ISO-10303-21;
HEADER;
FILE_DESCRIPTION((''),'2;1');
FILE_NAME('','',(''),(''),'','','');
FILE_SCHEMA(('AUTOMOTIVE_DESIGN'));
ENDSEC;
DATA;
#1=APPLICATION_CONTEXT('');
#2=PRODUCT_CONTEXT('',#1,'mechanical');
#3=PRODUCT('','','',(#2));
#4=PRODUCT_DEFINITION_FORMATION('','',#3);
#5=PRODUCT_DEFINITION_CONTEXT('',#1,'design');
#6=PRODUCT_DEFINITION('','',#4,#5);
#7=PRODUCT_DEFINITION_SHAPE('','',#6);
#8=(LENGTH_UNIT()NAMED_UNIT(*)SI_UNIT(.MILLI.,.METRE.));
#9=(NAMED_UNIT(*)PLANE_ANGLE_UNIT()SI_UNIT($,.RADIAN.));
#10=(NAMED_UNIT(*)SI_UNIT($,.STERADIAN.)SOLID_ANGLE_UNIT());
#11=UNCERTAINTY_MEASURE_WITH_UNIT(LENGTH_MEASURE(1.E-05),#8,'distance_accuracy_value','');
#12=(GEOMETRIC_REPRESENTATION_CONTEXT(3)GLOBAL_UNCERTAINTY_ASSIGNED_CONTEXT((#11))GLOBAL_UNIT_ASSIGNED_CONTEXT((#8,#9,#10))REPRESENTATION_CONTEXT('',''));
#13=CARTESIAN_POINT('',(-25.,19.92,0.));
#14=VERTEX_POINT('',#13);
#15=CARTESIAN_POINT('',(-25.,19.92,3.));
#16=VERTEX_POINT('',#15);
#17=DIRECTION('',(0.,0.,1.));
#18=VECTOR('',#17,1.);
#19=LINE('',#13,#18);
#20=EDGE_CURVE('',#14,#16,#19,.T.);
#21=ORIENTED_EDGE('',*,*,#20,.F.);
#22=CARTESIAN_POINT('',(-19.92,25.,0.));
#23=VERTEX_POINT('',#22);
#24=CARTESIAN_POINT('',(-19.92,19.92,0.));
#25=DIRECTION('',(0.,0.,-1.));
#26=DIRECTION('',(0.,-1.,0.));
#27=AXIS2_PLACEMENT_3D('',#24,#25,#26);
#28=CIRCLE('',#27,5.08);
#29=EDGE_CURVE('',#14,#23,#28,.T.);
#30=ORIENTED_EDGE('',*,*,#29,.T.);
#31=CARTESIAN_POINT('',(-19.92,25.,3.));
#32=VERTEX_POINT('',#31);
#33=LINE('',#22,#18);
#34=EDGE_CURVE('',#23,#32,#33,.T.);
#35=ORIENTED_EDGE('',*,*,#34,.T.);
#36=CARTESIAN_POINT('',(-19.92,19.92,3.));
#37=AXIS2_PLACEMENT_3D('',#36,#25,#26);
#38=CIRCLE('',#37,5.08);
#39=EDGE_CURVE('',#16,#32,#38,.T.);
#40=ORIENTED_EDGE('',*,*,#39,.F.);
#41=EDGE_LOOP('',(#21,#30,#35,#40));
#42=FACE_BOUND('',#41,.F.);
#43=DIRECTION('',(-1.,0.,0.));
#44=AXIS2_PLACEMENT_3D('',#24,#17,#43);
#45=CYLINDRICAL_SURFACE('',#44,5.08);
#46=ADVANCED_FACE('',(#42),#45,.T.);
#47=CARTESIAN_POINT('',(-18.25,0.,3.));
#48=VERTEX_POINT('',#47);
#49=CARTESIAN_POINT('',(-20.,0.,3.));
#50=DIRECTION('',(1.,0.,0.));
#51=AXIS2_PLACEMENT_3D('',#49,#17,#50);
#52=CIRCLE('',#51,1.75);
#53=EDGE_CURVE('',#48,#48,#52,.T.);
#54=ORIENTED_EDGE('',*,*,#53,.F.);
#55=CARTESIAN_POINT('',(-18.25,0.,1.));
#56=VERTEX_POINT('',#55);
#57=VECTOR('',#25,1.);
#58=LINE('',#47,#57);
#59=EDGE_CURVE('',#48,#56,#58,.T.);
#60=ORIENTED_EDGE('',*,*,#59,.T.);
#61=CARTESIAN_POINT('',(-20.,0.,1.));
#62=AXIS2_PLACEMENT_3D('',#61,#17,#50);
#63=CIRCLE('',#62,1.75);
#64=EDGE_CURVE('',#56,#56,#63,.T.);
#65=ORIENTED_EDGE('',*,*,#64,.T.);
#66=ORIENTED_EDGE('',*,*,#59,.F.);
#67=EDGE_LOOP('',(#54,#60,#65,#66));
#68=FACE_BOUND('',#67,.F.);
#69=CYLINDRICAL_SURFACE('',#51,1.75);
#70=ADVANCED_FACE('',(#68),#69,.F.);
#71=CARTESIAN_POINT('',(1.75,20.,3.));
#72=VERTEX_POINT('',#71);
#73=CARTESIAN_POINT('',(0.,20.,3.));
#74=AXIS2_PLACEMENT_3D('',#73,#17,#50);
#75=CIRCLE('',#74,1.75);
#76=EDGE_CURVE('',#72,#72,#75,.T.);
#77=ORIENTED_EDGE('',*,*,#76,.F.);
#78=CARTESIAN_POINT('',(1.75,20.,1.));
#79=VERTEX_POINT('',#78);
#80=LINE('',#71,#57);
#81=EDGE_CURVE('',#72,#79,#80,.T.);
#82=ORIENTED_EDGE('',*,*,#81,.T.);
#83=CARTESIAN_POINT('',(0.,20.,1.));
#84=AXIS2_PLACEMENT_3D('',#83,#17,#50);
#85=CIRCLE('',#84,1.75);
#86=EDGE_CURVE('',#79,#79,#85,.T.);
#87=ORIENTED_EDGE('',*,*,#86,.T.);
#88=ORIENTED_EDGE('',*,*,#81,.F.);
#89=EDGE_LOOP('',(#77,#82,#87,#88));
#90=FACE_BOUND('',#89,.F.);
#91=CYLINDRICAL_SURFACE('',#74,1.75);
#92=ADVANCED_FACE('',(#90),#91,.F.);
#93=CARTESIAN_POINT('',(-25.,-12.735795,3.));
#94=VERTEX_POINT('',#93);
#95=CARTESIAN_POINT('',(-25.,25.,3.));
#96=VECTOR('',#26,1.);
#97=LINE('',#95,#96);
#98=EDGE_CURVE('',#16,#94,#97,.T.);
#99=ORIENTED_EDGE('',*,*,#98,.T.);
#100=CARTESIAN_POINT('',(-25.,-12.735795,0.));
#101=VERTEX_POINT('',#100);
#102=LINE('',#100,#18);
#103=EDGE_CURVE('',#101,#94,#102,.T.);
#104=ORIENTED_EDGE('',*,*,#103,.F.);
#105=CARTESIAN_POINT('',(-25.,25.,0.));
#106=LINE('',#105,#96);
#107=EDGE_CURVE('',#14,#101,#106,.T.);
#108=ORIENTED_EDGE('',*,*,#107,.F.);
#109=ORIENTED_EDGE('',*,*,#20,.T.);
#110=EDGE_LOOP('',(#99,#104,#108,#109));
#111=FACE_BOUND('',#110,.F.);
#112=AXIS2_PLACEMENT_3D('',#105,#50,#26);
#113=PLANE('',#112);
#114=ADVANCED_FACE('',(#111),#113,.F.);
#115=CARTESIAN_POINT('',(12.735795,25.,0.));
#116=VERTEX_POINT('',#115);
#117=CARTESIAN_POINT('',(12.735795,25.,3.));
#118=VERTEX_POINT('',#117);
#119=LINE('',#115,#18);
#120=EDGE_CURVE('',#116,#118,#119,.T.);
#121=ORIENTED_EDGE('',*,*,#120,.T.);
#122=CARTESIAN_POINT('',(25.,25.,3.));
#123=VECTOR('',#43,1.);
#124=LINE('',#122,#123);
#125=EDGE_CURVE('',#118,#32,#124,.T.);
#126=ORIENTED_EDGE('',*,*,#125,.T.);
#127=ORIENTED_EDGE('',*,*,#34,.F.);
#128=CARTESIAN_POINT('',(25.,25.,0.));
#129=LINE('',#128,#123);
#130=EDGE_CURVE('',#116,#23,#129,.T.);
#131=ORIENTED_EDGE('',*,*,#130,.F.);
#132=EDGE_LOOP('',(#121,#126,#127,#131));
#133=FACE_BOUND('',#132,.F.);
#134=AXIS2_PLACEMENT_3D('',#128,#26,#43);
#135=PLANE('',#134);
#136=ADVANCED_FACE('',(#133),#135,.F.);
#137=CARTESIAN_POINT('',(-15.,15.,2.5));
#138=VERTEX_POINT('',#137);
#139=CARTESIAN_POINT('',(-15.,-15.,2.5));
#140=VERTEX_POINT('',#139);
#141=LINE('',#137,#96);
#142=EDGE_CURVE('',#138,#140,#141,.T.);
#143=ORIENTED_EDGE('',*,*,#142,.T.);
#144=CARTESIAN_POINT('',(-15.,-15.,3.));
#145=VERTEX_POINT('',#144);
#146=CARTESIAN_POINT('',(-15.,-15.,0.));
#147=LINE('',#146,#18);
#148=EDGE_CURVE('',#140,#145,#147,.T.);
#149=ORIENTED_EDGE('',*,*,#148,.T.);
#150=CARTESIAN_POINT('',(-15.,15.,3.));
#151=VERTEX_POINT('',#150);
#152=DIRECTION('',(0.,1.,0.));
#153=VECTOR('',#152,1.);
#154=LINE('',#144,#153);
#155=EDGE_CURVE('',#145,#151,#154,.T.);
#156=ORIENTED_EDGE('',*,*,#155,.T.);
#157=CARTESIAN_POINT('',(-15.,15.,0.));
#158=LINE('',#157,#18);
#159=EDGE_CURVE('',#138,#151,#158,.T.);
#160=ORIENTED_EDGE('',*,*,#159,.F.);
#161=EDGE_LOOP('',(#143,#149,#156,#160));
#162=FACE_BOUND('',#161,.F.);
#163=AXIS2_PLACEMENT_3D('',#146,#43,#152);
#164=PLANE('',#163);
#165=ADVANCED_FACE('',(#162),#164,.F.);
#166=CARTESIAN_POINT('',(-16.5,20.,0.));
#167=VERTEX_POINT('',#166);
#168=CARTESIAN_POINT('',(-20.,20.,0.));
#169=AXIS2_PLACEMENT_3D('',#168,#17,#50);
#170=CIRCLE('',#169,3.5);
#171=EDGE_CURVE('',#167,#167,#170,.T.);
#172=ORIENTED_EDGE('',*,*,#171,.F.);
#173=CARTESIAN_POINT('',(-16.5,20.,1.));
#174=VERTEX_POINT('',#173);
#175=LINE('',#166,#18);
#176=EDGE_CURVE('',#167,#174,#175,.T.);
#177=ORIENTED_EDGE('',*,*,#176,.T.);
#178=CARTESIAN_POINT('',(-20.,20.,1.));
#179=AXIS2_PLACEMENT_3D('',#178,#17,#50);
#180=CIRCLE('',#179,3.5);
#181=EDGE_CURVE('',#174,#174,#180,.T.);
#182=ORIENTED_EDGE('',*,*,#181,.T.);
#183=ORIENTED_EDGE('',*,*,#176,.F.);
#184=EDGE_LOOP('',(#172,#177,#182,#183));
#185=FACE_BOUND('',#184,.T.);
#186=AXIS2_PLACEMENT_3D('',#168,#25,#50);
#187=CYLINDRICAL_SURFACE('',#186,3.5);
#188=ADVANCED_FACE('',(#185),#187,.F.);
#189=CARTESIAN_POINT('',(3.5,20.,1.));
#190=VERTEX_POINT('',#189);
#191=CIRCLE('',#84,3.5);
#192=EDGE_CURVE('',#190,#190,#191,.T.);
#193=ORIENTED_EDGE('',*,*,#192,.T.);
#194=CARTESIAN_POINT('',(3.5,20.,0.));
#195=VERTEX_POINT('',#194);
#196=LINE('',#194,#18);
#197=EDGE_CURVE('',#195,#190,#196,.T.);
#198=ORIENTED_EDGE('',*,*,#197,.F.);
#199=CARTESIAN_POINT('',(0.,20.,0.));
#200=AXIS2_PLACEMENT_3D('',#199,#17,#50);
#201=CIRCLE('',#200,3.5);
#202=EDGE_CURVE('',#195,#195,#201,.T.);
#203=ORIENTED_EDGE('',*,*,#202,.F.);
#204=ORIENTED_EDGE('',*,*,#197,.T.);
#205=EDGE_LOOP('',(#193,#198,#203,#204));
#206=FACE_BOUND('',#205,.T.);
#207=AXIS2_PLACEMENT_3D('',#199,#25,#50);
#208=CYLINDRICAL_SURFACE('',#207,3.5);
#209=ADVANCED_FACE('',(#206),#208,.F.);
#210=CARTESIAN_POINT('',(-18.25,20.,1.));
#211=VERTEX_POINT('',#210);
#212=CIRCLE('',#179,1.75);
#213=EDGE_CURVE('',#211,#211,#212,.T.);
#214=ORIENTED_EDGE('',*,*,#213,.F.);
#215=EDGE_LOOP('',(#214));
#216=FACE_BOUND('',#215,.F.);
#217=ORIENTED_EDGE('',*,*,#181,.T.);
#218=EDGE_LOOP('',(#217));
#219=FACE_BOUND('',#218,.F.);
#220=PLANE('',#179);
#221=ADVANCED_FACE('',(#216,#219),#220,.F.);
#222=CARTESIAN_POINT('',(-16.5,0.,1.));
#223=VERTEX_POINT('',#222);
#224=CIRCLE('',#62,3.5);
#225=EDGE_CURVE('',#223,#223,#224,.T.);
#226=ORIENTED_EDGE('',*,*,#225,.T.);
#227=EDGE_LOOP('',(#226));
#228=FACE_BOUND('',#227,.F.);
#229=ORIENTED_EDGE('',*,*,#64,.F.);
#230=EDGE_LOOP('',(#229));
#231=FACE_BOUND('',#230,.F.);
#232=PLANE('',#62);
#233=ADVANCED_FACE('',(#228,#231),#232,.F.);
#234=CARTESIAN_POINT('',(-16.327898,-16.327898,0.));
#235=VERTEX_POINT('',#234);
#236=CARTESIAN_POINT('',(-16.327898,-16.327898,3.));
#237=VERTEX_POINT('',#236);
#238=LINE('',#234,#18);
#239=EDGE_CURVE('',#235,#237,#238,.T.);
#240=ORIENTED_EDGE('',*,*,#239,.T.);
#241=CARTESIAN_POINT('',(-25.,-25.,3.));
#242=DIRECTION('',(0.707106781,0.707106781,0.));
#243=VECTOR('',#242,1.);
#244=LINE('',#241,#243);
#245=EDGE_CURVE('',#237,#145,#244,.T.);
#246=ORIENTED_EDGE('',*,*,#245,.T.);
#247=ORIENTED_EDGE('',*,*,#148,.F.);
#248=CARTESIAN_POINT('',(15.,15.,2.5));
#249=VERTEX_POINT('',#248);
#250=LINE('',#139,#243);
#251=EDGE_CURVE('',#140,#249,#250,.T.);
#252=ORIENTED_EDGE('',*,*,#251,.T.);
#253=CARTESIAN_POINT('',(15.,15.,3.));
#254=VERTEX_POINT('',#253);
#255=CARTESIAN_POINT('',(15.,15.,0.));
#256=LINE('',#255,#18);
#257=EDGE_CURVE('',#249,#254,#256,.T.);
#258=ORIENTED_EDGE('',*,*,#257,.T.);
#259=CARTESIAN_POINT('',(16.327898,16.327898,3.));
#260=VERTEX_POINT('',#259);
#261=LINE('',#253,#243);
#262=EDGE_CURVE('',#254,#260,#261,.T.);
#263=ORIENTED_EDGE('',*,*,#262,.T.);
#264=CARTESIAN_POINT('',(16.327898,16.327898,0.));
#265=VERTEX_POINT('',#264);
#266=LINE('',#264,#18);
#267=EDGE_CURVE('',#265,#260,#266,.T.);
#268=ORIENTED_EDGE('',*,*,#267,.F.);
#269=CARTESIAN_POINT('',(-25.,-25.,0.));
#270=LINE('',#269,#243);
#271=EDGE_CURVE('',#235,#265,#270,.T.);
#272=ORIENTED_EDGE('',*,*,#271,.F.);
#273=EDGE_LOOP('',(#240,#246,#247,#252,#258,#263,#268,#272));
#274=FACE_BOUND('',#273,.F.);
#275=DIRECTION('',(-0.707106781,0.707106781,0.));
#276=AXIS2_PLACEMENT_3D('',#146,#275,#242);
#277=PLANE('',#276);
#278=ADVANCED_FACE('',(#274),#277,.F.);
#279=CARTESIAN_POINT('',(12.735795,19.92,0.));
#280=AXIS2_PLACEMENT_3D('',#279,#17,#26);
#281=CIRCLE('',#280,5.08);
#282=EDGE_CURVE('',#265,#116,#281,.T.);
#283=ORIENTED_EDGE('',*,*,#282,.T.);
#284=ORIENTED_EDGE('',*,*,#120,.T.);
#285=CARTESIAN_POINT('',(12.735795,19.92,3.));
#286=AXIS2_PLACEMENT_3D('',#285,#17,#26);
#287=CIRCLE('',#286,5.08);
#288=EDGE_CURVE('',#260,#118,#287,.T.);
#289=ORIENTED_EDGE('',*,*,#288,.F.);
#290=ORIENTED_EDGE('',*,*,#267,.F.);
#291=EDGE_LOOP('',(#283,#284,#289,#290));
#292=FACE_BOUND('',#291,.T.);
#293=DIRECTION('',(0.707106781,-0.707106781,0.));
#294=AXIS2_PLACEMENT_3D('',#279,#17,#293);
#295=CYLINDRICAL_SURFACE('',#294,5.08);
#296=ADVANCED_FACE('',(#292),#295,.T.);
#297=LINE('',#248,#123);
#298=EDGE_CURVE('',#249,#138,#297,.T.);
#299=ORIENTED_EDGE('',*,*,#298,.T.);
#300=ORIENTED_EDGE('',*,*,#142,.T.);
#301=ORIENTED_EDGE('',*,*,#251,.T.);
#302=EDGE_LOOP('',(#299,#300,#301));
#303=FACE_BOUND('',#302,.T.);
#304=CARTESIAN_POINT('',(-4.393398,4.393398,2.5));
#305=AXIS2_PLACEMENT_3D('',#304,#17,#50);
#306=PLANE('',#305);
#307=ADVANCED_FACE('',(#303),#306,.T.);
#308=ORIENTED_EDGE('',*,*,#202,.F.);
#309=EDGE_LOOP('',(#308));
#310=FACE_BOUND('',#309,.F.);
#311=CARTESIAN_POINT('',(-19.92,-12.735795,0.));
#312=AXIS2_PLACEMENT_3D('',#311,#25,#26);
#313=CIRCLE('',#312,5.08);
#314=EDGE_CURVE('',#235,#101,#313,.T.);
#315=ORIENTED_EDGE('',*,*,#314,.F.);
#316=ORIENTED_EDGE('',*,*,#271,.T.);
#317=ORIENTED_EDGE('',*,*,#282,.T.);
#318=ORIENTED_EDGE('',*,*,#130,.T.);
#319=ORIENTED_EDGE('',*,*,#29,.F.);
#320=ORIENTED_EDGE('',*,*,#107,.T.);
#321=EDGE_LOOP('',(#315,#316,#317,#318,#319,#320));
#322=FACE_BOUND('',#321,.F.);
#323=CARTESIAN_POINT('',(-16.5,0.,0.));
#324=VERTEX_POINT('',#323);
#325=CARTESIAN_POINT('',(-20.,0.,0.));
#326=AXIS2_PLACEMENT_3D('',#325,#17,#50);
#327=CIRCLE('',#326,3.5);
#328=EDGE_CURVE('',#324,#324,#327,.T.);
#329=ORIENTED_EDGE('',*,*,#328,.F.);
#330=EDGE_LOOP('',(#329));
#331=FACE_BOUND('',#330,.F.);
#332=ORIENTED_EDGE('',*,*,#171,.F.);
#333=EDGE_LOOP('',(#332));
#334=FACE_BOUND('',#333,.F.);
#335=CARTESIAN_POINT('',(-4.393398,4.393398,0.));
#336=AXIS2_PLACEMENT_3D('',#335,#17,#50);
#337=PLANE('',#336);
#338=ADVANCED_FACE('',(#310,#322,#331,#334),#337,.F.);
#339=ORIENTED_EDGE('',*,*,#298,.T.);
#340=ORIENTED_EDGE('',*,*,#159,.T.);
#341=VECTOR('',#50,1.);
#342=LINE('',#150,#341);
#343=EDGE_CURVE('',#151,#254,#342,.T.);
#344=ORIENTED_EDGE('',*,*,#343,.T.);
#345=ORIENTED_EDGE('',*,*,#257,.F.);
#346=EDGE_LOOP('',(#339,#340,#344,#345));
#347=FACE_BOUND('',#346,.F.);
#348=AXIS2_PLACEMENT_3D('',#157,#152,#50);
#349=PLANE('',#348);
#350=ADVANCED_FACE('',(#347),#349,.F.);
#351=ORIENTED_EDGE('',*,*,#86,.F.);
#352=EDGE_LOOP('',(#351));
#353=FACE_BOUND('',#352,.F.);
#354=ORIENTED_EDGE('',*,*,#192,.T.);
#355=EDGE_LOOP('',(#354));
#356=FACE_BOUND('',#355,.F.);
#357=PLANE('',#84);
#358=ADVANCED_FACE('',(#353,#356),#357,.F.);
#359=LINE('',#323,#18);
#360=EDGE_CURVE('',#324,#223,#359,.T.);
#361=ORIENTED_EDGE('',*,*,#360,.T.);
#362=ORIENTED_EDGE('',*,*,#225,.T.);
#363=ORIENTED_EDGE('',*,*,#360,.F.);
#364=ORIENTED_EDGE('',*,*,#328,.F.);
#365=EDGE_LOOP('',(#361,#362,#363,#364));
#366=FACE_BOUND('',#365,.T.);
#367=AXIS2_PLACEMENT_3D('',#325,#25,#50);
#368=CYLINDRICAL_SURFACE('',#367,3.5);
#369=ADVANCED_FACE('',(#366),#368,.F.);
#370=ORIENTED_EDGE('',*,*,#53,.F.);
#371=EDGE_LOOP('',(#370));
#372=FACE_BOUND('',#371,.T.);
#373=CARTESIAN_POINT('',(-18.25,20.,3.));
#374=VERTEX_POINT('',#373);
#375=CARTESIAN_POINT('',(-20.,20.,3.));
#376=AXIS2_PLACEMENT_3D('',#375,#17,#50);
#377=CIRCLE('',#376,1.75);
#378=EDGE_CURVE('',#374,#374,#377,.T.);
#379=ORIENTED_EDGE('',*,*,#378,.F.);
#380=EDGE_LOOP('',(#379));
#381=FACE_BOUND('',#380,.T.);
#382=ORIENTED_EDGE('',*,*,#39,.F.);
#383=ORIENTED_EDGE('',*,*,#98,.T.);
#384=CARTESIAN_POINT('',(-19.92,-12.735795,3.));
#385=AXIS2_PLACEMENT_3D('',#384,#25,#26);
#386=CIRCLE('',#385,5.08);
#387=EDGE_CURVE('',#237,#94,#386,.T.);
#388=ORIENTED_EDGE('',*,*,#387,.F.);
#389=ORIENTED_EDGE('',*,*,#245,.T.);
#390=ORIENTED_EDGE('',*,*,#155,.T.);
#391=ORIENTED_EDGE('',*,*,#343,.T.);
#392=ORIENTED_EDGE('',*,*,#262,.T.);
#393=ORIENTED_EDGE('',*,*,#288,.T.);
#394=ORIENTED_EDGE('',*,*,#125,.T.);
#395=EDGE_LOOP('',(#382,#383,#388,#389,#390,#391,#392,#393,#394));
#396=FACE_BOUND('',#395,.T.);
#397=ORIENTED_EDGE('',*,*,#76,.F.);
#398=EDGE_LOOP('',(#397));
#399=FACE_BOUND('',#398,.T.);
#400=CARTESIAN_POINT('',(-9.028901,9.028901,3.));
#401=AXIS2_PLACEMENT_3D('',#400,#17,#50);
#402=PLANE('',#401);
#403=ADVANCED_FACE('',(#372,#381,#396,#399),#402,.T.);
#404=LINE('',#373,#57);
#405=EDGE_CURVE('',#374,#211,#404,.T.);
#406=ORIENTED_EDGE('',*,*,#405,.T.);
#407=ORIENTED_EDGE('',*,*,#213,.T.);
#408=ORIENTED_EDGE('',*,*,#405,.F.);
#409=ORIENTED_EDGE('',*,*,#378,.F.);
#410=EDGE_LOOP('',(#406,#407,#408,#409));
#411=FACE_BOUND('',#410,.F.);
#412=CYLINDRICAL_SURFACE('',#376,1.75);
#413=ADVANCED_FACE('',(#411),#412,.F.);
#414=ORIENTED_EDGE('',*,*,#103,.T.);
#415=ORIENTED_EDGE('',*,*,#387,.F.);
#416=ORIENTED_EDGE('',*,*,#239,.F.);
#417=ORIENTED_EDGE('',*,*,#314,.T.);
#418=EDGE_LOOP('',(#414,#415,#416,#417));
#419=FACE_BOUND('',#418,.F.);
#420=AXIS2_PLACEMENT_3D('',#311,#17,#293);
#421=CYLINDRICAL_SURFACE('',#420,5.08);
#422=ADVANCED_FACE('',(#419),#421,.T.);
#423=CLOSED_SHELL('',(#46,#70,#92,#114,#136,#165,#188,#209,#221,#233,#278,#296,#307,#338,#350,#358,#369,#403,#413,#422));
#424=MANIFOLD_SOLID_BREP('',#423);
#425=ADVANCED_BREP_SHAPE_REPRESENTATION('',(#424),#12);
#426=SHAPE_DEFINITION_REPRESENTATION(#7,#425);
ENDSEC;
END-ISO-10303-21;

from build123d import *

# Parameters (mm, degrees)
F1_DEPTH = 3
F2_DEPTH = 2.5
F3_R     = 1.75
F4_DEPTH = 3.001
F5_R     = 3.5
F6_DEPTH = 1
F7_R     = 5.08


with BuildPart() as f1:
    # F0 (on Top) → F1 (new body)
    with BuildSketch(Plane.XY):
        Polygon((15, 15), (25, 25), (-25, 25), (-25, -25), (-15, -15), (-15, 15), align=None)
    extrude(amount=F1_DEPTH)

    # F0 (on Top) → F2 (join)
    with BuildSketch(Plane.XY):
        Polygon((-15, -15), (15, 15), (-15, 15), align=None)
    extrude(amount=F2_DEPTH)

    # F3 (on face) → F4 (cut, through all)
    with BuildSketch(Plane.XY.offset(3)):
        with Locations((-20, 20)):
            Circle(F3_R)
        with Locations((0, 20)):
            Circle(F3_R)
        with Locations((-20, 0)):
            Circle(F3_R)
    extrude(amount=-F4_DEPTH, mode=Mode.SUBTRACT)

    # F5 (on face) → F6 (cut)
    with BuildSketch(Plane.XY):
        with Locations((-20, 0)):
            Circle(F5_R)
        with Locations((-20, 20)):
            Circle(F5_R)
        with Locations((0, 20)):
            Circle(F5_R)
    extrude(amount=F6_DEPTH, mode=Mode.SUBTRACT)

    # F7
    f7_edges = [f1.edges().sort_by_distance(p)[0] for p in [
        (25, 25, 1.5),
        (-25, -25, 1.5),
        (-25, 25, 1.5),
    ]]
    fillet(f7_edges, radius=F7_R)


solid = f1.part
